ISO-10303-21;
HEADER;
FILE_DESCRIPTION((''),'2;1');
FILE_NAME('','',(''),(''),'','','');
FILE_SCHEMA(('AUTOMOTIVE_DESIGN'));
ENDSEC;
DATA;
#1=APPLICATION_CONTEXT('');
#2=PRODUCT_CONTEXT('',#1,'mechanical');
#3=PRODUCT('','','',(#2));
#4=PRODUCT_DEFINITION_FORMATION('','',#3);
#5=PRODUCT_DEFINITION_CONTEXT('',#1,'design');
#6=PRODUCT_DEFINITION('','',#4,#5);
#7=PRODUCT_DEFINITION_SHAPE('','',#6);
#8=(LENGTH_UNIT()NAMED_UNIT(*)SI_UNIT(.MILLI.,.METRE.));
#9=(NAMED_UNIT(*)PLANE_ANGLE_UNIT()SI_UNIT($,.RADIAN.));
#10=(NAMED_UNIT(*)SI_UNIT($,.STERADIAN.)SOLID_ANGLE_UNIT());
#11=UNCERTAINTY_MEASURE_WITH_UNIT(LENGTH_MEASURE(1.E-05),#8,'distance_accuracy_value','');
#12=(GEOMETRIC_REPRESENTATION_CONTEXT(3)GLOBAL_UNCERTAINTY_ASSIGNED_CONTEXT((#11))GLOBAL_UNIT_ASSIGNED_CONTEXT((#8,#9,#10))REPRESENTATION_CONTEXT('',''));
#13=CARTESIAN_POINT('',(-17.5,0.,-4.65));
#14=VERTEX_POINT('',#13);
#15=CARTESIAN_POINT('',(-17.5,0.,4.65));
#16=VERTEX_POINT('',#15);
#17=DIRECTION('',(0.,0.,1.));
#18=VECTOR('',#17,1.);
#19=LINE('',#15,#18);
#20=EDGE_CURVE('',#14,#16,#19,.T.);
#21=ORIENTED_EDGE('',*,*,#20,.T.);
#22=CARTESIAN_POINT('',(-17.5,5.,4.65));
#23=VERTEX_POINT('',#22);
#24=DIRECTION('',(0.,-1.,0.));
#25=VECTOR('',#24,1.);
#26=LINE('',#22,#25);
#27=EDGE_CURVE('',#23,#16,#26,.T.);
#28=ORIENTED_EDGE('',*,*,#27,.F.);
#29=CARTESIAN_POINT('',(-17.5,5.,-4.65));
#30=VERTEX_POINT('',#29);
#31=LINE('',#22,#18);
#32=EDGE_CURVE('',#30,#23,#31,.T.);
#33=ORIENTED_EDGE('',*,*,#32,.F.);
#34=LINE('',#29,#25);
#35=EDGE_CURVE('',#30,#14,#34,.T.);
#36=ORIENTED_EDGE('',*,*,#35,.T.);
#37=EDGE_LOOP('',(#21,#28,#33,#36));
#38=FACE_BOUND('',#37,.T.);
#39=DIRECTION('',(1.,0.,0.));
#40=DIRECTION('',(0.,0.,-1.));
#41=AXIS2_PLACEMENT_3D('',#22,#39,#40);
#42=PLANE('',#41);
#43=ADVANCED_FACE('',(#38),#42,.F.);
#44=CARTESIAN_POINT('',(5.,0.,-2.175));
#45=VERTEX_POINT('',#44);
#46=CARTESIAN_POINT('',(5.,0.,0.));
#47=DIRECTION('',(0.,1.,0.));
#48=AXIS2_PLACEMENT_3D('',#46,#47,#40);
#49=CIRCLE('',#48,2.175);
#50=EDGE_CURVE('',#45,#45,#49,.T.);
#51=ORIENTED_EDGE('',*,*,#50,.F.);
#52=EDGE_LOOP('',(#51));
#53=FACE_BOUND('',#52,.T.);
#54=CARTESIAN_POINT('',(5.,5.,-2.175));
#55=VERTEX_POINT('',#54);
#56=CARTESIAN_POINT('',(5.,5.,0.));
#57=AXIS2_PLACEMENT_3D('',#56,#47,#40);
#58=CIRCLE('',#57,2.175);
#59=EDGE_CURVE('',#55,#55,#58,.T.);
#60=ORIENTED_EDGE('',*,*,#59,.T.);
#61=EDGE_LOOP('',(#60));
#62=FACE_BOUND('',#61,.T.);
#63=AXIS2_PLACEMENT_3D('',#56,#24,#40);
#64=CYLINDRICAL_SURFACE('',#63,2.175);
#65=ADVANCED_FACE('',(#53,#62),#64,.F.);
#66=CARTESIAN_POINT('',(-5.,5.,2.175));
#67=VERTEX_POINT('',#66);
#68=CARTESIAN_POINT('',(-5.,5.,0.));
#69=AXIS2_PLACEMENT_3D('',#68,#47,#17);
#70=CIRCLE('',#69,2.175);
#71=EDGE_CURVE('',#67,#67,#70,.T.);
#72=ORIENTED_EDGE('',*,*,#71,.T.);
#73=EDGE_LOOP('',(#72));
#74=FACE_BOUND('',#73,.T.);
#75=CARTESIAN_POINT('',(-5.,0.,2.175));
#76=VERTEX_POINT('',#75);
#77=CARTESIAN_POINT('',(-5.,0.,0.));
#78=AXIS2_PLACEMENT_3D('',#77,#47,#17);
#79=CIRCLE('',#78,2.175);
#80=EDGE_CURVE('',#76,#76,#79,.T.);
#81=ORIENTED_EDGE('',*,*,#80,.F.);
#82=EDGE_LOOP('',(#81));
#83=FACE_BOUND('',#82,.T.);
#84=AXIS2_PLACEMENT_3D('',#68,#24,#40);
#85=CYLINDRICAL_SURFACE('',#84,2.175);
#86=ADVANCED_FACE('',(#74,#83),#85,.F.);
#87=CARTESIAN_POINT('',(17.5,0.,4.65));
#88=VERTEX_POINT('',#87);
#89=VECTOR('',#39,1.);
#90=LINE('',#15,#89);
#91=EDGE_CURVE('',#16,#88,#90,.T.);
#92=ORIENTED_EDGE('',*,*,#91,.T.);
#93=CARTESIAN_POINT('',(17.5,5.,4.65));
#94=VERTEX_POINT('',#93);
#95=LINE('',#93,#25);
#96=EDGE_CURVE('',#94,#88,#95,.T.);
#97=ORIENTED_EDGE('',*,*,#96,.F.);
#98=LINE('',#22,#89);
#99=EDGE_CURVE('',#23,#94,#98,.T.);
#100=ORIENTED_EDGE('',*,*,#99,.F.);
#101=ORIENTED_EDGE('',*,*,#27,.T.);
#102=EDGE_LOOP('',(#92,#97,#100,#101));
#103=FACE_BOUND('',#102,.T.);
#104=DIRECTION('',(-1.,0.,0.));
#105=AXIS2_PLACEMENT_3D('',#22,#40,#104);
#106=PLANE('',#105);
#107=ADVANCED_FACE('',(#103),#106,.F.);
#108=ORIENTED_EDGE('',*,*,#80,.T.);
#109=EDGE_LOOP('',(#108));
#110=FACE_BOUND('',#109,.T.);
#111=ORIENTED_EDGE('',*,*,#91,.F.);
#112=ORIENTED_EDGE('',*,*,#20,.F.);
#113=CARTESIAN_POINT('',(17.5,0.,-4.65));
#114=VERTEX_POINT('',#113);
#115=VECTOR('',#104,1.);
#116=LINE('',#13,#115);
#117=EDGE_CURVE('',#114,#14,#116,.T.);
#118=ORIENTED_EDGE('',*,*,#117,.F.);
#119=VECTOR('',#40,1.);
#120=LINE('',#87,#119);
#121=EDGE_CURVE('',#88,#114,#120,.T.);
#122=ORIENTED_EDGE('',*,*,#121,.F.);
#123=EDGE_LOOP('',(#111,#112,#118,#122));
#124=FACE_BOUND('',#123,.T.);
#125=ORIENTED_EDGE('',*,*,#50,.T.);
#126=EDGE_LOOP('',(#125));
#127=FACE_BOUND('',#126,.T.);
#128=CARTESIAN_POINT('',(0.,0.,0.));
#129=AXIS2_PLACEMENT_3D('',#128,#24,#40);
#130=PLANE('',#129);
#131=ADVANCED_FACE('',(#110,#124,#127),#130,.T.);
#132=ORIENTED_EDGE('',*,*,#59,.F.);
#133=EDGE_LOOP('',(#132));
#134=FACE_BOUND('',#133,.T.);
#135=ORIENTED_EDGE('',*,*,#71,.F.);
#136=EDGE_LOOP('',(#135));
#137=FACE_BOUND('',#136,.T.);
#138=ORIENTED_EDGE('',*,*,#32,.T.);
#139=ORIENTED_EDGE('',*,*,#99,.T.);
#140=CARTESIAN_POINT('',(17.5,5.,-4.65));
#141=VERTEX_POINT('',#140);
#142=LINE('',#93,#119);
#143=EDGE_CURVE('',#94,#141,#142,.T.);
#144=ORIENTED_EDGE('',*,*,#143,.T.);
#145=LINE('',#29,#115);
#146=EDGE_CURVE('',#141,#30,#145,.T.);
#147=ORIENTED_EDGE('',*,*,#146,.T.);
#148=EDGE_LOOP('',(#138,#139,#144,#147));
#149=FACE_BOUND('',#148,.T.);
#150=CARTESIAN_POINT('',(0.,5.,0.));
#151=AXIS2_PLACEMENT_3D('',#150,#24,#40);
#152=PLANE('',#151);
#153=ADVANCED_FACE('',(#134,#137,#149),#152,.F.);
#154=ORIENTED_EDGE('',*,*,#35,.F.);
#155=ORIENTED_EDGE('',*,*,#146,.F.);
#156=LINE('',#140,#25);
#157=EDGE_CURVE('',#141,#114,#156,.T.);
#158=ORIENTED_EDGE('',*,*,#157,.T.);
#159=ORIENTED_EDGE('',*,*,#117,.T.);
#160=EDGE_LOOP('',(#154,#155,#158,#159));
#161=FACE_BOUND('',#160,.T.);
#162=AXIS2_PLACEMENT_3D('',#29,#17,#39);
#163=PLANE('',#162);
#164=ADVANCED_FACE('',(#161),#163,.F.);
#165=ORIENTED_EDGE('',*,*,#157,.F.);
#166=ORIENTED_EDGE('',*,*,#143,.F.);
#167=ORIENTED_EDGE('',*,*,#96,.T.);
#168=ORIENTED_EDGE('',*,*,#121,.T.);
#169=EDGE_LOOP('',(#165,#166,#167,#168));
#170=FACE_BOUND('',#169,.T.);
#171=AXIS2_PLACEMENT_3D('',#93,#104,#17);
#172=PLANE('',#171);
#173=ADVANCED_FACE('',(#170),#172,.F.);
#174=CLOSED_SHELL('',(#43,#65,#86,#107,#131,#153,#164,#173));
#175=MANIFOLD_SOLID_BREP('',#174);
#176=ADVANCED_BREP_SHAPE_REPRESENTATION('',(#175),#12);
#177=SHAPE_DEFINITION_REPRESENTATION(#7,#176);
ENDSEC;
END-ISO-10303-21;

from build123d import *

# Parameters (mm, degrees)
SKETCH_1_W      = 35
SKETCH_1_H      = 9.3
SKETCH_1_R      = 2.175
EXTRUDE_1_DEPTH = 5


with BuildPart() as part:
    # 草图1 → 凸台-拉伸1 (new body)
    with BuildSketch(Plane(origin=(0, 0, 0), x_dir=(1, 0, 0), z_dir=(0, 1, 0))):
        Rectangle(SKETCH_1_W, SKETCH_1_H)
        with Locations(Location((-5, 0, 0), (0, 0, 270))):
            Circle(SKETCH_1_R, mode=Mode.SUBTRACT)
        with Locations(Location((5, 0, 0), (0, 0, 90))):
            Circle(SKETCH_1_R, mode=Mode.SUBTRACT)
    extrude(amount=EXTRUDE_1_DEPTH)


solid = part.part
